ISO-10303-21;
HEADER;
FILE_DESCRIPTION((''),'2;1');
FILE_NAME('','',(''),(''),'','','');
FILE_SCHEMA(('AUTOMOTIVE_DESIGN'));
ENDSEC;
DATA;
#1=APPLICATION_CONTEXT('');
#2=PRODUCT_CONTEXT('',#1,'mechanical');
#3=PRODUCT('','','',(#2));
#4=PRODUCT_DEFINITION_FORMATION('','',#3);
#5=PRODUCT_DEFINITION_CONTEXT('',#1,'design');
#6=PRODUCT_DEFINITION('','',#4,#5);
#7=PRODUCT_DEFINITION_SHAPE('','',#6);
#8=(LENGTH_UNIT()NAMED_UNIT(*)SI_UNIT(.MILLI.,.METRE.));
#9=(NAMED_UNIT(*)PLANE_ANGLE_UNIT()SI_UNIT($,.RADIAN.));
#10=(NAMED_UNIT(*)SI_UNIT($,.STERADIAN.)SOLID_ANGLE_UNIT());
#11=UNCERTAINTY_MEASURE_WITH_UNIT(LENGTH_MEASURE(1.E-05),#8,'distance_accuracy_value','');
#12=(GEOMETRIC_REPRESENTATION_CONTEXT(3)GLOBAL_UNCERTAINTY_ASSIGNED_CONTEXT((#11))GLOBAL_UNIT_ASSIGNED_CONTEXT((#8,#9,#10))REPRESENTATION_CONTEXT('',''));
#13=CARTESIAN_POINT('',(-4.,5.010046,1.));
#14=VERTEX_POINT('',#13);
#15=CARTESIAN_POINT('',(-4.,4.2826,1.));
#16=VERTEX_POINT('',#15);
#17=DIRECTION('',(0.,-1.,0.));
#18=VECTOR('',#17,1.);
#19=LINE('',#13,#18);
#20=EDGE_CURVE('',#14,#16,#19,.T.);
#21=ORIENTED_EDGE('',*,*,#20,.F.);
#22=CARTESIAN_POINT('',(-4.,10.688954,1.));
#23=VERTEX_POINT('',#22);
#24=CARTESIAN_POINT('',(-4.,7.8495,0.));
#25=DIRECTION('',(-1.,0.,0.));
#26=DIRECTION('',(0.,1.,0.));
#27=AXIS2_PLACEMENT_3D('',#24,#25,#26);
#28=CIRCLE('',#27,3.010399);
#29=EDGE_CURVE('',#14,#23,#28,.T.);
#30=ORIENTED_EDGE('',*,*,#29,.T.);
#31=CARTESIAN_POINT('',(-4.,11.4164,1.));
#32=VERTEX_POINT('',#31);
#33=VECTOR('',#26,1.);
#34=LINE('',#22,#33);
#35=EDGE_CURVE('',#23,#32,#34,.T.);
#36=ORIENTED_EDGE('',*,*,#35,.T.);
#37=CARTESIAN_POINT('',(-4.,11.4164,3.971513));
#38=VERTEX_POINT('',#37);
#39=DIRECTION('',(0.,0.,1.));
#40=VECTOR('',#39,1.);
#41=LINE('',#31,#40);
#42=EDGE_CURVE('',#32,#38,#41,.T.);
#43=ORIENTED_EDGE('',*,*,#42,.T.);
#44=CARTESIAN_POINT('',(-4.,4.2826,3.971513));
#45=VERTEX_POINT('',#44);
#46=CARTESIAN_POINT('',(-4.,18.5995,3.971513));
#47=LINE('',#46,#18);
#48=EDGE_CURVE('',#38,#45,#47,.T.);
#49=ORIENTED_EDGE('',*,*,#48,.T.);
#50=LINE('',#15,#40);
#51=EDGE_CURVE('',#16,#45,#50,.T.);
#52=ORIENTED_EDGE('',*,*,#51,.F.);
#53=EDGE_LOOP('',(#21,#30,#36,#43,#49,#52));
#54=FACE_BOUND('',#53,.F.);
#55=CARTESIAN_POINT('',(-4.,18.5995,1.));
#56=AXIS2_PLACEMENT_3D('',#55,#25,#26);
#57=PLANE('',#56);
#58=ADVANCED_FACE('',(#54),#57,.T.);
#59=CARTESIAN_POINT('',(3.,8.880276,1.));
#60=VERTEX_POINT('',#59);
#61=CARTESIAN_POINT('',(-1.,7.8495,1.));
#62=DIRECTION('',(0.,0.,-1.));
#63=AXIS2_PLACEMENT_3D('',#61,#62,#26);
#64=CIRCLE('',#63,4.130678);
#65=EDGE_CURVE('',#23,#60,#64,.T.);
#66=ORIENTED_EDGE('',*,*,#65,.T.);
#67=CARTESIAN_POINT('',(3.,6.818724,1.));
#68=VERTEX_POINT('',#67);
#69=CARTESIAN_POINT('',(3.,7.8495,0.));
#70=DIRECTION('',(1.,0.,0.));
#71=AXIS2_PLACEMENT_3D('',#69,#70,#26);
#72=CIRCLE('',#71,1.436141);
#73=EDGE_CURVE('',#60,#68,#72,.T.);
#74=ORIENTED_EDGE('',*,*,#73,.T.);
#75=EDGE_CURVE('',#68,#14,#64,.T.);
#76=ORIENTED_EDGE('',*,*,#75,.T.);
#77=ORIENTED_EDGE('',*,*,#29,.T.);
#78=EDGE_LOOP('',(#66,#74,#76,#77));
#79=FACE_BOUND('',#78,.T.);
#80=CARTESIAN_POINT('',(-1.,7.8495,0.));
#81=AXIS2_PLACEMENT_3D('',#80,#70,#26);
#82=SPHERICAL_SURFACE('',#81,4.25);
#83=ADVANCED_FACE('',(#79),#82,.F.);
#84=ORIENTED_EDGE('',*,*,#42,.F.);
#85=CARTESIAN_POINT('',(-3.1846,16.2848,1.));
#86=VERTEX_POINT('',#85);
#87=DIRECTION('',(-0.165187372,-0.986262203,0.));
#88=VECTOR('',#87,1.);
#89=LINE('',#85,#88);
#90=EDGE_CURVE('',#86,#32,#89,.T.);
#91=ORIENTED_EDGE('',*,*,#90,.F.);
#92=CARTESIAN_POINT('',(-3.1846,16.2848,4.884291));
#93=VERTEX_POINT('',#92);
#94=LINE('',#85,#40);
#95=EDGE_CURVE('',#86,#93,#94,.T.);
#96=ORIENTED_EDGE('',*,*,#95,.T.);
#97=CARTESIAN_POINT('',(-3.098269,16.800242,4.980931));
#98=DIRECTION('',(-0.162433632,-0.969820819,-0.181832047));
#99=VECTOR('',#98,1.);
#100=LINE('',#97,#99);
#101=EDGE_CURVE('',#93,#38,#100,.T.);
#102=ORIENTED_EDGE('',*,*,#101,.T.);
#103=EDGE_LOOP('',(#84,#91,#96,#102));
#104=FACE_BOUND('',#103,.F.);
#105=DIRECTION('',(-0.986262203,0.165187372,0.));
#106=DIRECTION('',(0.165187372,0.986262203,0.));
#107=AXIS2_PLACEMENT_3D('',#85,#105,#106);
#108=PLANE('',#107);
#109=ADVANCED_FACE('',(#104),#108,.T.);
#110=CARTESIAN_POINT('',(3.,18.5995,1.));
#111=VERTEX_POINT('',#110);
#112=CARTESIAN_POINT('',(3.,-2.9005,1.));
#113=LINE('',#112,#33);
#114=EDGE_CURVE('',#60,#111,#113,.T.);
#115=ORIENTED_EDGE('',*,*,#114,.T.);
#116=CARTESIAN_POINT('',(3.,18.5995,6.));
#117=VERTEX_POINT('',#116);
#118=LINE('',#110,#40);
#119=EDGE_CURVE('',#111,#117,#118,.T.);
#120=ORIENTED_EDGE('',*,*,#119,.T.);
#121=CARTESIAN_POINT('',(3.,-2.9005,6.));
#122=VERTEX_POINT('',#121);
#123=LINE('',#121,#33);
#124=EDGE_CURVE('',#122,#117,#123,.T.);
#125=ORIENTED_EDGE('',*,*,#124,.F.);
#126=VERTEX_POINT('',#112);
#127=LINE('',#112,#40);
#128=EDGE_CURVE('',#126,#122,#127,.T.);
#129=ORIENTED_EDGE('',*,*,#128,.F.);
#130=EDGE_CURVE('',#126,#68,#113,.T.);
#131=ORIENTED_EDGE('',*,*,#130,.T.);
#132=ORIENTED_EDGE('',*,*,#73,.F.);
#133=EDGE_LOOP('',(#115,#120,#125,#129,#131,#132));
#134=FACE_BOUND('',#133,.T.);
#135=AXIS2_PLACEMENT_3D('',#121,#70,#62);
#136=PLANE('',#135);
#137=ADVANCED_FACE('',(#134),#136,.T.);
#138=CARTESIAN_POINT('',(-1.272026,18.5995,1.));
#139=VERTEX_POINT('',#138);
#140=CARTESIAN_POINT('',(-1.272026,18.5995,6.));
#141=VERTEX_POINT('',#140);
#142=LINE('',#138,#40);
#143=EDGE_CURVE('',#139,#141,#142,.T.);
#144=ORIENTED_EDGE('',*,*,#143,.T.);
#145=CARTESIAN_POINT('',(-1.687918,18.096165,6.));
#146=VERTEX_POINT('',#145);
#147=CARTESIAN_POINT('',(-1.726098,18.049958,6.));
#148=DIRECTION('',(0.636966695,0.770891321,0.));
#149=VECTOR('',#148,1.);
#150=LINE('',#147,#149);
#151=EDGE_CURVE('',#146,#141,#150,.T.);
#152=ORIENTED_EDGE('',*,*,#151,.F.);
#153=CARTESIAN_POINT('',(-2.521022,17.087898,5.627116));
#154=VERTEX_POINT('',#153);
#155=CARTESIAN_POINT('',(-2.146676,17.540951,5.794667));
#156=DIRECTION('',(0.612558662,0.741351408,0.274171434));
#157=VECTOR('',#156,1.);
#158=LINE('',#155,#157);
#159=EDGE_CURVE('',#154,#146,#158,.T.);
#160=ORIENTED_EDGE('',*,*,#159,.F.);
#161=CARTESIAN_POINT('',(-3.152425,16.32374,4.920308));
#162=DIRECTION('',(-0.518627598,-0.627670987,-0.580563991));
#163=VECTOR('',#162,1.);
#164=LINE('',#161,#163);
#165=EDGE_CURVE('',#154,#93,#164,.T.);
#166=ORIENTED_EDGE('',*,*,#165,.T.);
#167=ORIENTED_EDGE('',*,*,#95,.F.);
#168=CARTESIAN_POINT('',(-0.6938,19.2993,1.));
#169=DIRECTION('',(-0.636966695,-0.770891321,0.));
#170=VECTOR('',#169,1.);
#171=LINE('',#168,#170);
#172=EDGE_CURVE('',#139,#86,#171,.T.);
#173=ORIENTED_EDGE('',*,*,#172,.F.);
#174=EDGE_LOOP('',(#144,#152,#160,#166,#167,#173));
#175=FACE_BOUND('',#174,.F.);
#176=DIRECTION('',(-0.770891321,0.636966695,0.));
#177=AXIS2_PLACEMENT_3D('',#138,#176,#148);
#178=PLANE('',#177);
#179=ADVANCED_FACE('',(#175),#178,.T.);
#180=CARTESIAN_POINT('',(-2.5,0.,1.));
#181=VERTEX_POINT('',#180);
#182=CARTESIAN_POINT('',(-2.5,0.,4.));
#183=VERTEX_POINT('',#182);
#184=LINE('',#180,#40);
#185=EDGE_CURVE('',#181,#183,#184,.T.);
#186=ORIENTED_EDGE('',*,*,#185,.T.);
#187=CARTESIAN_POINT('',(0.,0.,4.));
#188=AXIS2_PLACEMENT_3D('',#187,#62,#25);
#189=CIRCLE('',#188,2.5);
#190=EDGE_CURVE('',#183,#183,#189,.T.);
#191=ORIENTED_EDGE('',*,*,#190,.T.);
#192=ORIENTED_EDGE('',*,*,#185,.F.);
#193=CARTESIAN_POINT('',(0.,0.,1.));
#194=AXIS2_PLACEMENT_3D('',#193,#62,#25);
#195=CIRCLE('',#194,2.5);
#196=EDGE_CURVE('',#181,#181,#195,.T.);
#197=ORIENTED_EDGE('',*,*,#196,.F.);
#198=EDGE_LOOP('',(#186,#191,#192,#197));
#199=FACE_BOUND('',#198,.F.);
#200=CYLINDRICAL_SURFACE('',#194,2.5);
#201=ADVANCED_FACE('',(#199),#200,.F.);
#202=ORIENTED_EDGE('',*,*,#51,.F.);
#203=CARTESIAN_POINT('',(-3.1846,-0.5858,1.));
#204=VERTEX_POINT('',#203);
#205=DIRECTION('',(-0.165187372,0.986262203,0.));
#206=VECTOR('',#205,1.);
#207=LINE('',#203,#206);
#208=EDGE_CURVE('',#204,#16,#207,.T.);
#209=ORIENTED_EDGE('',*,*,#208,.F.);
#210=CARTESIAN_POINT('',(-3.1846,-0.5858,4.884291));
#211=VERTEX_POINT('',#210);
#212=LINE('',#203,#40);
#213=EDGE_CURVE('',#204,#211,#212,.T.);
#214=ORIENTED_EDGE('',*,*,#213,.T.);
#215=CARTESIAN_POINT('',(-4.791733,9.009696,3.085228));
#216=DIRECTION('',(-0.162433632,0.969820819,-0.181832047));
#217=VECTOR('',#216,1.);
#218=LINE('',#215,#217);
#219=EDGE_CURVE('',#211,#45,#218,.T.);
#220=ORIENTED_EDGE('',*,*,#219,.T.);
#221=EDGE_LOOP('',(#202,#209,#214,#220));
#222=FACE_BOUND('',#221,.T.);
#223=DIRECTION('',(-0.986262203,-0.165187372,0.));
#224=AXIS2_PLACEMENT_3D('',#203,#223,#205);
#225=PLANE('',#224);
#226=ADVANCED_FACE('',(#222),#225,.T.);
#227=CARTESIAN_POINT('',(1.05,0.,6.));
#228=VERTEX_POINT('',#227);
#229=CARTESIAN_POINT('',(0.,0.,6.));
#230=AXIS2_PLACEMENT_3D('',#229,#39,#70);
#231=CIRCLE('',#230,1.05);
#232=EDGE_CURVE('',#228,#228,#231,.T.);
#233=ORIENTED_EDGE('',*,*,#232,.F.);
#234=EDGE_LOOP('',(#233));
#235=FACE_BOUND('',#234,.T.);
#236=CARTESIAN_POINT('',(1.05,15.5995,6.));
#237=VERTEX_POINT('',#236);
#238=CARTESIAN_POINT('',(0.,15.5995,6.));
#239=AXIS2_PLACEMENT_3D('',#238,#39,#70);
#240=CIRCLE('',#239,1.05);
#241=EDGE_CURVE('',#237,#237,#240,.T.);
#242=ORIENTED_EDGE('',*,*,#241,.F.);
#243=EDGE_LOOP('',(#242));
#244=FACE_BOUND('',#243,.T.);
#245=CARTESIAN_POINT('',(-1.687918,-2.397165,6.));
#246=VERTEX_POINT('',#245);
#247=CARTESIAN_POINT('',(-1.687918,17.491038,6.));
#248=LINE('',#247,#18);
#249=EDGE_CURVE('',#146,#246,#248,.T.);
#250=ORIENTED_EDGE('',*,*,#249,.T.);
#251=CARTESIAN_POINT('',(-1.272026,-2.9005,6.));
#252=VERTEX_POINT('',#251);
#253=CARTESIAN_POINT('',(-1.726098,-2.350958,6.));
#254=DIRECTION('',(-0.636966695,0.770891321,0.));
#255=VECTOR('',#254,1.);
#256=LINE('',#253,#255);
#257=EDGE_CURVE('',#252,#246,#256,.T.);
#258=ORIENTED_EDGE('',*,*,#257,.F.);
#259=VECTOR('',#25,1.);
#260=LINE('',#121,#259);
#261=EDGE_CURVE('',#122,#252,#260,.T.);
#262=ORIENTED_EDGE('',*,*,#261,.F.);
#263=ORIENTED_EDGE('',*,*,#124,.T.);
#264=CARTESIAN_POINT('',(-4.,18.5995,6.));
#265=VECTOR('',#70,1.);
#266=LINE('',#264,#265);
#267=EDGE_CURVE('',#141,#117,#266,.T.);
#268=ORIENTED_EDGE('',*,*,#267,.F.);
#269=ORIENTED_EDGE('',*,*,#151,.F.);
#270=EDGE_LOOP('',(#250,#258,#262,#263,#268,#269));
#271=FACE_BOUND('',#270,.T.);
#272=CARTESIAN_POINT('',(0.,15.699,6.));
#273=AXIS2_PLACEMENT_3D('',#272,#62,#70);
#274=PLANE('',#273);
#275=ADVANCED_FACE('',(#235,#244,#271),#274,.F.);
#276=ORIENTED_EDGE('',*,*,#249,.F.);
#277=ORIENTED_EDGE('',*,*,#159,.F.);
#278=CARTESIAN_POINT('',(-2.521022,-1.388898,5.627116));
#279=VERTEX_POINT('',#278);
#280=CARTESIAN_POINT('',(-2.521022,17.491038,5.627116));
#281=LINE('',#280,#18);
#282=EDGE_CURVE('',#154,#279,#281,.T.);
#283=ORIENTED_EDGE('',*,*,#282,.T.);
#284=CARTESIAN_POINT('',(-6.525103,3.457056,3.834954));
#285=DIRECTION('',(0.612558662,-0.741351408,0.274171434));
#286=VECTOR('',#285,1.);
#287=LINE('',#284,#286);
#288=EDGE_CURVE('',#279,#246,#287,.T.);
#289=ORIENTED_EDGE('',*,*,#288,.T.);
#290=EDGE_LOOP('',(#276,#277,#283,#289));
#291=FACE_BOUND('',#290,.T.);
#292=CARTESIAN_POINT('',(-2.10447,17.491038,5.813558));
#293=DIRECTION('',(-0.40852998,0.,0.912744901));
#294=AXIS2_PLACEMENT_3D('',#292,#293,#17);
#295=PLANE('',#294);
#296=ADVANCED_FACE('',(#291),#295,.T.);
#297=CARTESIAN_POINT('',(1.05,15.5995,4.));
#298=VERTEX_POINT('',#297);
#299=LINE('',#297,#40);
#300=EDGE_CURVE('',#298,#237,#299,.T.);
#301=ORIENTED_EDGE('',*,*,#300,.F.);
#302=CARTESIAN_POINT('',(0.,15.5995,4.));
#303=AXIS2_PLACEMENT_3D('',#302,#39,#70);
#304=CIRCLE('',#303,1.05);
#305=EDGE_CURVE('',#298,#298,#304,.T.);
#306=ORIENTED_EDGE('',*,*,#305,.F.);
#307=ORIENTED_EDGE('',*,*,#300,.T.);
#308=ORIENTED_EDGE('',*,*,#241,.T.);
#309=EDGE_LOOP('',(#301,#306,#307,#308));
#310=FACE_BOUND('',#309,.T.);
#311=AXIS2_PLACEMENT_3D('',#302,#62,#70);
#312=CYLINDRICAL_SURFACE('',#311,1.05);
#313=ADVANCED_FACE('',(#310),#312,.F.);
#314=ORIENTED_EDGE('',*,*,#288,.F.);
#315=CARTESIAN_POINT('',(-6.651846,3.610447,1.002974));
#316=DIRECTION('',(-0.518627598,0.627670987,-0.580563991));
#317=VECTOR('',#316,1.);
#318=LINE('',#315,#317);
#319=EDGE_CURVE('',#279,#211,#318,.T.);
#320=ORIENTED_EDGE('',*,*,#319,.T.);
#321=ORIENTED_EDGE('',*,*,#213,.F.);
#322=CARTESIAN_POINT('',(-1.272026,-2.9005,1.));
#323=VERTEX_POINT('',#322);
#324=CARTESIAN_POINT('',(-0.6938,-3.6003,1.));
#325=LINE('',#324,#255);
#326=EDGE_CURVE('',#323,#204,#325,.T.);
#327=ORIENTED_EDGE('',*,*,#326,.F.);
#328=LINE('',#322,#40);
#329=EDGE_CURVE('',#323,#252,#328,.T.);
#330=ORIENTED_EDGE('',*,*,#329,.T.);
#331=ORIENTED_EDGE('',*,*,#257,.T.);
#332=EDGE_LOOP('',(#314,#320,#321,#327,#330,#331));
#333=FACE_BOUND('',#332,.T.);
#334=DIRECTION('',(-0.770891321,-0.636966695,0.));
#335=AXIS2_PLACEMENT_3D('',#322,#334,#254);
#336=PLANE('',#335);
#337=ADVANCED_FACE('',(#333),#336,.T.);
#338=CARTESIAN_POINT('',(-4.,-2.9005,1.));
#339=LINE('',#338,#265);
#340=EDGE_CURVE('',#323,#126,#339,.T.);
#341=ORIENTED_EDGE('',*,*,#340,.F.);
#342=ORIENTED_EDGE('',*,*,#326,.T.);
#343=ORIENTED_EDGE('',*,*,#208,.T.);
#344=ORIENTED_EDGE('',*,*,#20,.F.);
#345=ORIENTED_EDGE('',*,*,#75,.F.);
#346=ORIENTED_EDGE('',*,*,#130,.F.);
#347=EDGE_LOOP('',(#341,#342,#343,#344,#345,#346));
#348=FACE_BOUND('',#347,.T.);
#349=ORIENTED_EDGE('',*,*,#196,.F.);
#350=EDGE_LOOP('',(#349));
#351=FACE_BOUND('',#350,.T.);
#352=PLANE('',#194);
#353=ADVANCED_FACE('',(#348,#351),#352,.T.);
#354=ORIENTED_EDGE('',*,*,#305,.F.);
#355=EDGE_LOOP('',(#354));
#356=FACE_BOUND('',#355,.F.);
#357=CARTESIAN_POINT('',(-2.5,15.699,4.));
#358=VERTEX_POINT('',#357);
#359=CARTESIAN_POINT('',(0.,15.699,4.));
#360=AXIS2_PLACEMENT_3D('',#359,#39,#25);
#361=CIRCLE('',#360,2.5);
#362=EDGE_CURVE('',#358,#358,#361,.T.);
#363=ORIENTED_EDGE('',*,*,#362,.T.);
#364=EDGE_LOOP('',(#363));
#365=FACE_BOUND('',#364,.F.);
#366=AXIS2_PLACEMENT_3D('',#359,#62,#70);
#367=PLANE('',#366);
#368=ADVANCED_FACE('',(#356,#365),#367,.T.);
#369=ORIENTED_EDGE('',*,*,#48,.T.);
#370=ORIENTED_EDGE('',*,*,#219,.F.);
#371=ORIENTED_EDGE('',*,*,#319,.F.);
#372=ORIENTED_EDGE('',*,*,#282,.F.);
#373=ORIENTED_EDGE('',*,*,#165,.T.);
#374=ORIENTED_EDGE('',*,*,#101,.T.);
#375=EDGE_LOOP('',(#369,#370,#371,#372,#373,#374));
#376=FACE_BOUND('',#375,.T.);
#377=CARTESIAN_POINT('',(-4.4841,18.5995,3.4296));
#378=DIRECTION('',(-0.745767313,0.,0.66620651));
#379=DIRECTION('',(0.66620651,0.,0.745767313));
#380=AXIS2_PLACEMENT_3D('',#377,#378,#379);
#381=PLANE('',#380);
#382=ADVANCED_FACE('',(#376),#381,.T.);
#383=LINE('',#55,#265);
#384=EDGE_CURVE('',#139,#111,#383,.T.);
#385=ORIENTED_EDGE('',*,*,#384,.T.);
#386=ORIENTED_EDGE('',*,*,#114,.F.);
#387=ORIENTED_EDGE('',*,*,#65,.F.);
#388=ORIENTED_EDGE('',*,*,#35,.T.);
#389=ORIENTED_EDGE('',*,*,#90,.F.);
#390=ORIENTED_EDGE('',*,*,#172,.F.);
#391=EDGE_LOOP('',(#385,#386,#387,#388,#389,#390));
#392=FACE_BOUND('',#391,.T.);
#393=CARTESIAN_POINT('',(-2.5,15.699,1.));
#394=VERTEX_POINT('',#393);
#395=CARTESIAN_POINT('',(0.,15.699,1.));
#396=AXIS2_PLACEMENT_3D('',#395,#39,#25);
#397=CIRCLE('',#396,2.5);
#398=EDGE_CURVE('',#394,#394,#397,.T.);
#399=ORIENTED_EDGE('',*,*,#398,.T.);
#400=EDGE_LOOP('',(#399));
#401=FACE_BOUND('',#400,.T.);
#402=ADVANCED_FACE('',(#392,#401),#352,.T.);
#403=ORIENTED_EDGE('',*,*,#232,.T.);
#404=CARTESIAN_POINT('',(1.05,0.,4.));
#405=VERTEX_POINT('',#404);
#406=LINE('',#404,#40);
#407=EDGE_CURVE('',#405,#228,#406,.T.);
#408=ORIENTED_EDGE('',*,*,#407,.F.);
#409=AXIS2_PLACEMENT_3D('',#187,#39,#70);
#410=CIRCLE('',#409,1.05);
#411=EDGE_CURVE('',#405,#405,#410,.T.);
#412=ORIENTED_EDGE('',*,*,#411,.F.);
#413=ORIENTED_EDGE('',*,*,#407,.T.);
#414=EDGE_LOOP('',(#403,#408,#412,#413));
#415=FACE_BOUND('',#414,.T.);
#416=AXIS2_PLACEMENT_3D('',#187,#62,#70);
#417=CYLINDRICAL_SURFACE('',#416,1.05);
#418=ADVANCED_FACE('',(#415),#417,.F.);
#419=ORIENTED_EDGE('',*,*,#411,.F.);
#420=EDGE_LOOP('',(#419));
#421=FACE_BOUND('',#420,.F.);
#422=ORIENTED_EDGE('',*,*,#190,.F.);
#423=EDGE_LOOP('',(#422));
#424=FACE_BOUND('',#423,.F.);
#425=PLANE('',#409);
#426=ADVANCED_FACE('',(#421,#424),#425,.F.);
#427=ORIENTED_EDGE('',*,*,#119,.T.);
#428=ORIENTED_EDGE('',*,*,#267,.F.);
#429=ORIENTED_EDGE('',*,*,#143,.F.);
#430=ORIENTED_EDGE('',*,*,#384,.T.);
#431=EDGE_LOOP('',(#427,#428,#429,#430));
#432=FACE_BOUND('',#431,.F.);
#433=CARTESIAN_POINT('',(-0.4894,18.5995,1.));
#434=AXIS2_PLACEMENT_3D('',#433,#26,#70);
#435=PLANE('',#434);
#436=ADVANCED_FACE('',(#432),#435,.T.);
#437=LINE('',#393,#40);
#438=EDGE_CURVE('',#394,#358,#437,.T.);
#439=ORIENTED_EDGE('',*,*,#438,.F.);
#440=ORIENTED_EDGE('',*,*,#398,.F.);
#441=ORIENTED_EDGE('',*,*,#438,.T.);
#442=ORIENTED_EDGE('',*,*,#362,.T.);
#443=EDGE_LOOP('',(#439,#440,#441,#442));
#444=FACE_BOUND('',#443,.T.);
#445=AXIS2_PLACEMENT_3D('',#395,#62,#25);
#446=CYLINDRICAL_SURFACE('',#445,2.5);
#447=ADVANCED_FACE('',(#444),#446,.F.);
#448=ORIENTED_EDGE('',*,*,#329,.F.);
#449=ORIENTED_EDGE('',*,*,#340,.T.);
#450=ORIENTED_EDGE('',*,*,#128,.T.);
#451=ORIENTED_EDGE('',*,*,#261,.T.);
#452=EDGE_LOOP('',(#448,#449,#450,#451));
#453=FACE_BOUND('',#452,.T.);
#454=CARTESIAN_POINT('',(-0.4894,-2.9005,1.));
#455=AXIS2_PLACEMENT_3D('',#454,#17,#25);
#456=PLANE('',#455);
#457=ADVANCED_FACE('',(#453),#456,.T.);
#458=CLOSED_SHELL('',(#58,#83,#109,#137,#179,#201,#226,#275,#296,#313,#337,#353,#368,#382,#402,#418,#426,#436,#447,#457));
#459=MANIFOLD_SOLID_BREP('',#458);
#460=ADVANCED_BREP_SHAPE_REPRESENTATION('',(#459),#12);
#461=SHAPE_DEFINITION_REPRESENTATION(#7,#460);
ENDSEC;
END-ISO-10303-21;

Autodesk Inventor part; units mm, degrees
ref_plane "YZ Plane" through (0, 0, 0) normal (1, 0, 0) x (0, 1, 0)
ref_plane "XZ Plane" through (0, 0, 0) normal (0, 1, 0) x (-1, 0, 0)
sketch "Skizze1" plane through (0, 0, 0) normal (0, 0, 1) x (1, 0, 0)
  circle A0 centre (0, 0) radius 2 projected
  circle A1 centre (0, 0) radius 1.05 projected
  circle A2 centre (0, 15.5995) radius 2 projected
  circle A3 centre (0, 15.5995) radius 1.05 projected
  line L0 (0, 18.5995) -> (4, 18.5995) projected
  line L1 (-2.8284, 15.7711) -> (0, 18.5995) projected
  arc A4 (-2.8284, 15.7711) -> (-4, 12.9427) centre (0, 12.9427) ccw projected
  line L2 (-4, 12.9427) -> (-4, 10.689) projected
  line L3 (-4, 5.0101) -> (-4, 2.7564) projected
  arc A5 (-4, 2.7564) -> (-2.8284, -0.072) centre (0, 2.7564) ccw projected
  line L4 (0, -2.9005) -> (-2.8284, -0.072) projected
  line L5 (4, -2.9005) -> (0, -2.9005) projected
  line L6 (4, 18.5995) -> (4, -2.9005) projected
  line L7 (-4, 10.689) -> (-4, 5.0101)
  point P0 (0, 0)
extrude "Extrusion1" add sketch "Skizze1" along normal blind 4 contours L0 L6 L5 L4 A5 L3 L7 L2 A4 L1
sketch "Skizze2" plane through (0, 0, 4) normal (0, 0, 1) x (1, 0, 0)
  line L0 (0, 18.5995) -> (-2.8284, 15.7711) projected
  arc A0 (-2.8284, 15.7711) -> (-4, 12.9427) centre (0, 12.9427) ccw projected
  line L1 (-4, 12.9427) -> (-4, 2.7564) projected
  arc A1 (-4, 2.7564) -> (-2.8284, -0.072) centre (0, 2.7564) ccw projected
  line L2 (-2.8284, -0.072) -> (0, -2.9005) projected
  line L3 (0, -2.9005) -> (4, -2.9005) projected
  line L4 (4, -2.9005) -> (4, 18.5995) projected
  line L5 (4, 18.5995) -> (0, 18.5995) projected
  circle A2 centre (0, 15.5995) radius 2 projected
  circle A3 centre (0, 0) radius 2 projected
  circle A4 centre (0, 15.5995) radius 1.05
  circle A5 centre (0, 0) radius 1.05
  point P0 (0, 0)
  dimension "d2" = 2.1
  dimension "d3" = 2.1
extrude "Extrusion2" add sketch "Skizze2" along normal blind 2 contours L5 L4 L3 L2 A1 L1 A0 L0 | A2 | A3
sketch "Skizze3" plane through (0, 0, 0) normal (0, 0, -1) x (-1, 0, 0)
  line L0 (0, -2.9005) -> (-4, -2.9005) projected
  line L1 (-4, -2.9005) -> (-4, 7.8495)
  line L2 (-4, -2.9005) -> (-4, 18.5995) projected
  line L3 (-4, 7.8495) -> (1, 7.8495)
  circle A0 centre (1, 7.8495) radius 4.25
  line L4 (1, 7.8495) -> (5.25, 7.8495)
  line L5 (4, 12.9427) -> (4, 2.7564) projected
  point P0 (0, 0)
  point P1 (4, 7.8495)
  point P2 (4, 10.8599)
  point P3 (-3.25, 7.8495)
  dimension "d7" = 8.5
  dimension "d8" = 3
revolve "Umdrehung1" cut sketch "Skizze3" angle 360 about axis through (4, 7.8495, 0) along (-1, 0, 0) picked at (3, 8.853) contours A0 L5 L4 L3
sketch "Skizze4" plane through (0, 0, 0) normal (0, 0, -1) x (-1, 0, 0)
  line L0 (-4.7683, -3.7941) -> (5.6191, -3.7941)
  line L1 (5.6191, -3.7941) -> (5.6191, 20.4958)
  line L2 (5.6191, 20.4958) -> (-4.7683, 20.4958)
  line L3 (-4.7683, 20.4958) -> (-4.7683, -3.7941)
  point P0 (0, 0)
extrude "Extrusion3" cut sketch "Skizze4" against normal blind 1
sketch "Skizze5" plane through (4, -2.9005, 6) normal (1, 0, 0) x (0, 0, -1)
  line L0 (5, 0) -> (5, 21.5) projected
  line L1 (5, 21.5) -> (0, 21.5) projected
  line L2 (0, 0) -> (0, 21.5) projected
  line L3 (5, 0) -> (0, 0) projected
  point P0 (6, 2.9005)
extrude "Extrusion4" cut sketch "Skizze5" against normal blind 1
sketch "Skizze6" plane through (0, 0, 1) normal (0, 0, -1) x (-1, 0, 0)
  line L0 (2.8284, -0.072) -> (0, -2.9005) projected
  line L1 (0, -2.9005) -> (0.4894, -2.9005)
  arc A0 (2.8284, -0.072) -> (4, 2.7564) centre (0, 2.7564) ccw projected
  line L2 (0.4894, -2.9005) -> (4, -2.9005)
  line L3 (4, -2.9005) -> (4, 2.7564)
  point P0 (0, 0)
  point P1 (3.7092, 1.2591)
extrude "Extrusion5" add sketch "Skizze6" against normal up to surface (5 mm away)
ref_plane "Arbeitsebene1" through (0, 7.8495, 6) normal (0, 1, 0) x (1, 0, 0)
sketch "Skizze9" plane through (0, 0, 1) normal (0, 0, -1) x (-1, 0, 0)
  circle A0 centre (0, 0) radius 2.5
  dimension "d24" = 5
extrude "Extrusion8" cut sketch "Skizze9" against normal up to surface (3 mm away)
sketch "Skizze10" plane through (0, 0, 1) normal (0, 0, -1) x (-1, 0, 0)
  line L0 (0.6938, -3.6003) -> (3.1846, -0.5858)
  line L1 (3.1846, -0.5858) -> (4, 4.2826)
  line L2 (4, -2.9005) -> (4, 5.0101) projected
  line L3 (4, -2.9005) -> (-3, -2.9005) projected
  point P0 (0, 0)
  point P1 (1.272, -2.9005)
extrude "Extrusion9" cut sketch "Skizze10" against normal through all
mirror "Spiegeln3" about plane through (0, 7.8495, 6) normal (0, 1, 0) of "Extrusion5", "Extrusion8", "Extrusion9"
sketch "Skizze11" plane through (3, 18.5995, 6) normal (0, 1, 0) x (1, 0, 0)
  line L0 (-7, 2.9896) -> (-7, 5) projected
  line L1 (-7.4841, 2.5704) -> (-4.5207, -0.7469)
  line L2 (-4.5207, -0.7469) -> (-5.1252, -3.6367)
  line L3 (-5.1252, -3.6367) -> (-9.8579, -0.57)
  line L4 (-9.8579, -0.57) -> (-7.4841, 2.5704)
  point P0 (-3, 6)
extrude "Extrusion10" cut sketch "Skizze11" against normal through all
chamfer "Fase2" distance 0.5 angle 45 1 edges at (-2.188, 7.8495, 6)
properties part number "BallJointClamp"
